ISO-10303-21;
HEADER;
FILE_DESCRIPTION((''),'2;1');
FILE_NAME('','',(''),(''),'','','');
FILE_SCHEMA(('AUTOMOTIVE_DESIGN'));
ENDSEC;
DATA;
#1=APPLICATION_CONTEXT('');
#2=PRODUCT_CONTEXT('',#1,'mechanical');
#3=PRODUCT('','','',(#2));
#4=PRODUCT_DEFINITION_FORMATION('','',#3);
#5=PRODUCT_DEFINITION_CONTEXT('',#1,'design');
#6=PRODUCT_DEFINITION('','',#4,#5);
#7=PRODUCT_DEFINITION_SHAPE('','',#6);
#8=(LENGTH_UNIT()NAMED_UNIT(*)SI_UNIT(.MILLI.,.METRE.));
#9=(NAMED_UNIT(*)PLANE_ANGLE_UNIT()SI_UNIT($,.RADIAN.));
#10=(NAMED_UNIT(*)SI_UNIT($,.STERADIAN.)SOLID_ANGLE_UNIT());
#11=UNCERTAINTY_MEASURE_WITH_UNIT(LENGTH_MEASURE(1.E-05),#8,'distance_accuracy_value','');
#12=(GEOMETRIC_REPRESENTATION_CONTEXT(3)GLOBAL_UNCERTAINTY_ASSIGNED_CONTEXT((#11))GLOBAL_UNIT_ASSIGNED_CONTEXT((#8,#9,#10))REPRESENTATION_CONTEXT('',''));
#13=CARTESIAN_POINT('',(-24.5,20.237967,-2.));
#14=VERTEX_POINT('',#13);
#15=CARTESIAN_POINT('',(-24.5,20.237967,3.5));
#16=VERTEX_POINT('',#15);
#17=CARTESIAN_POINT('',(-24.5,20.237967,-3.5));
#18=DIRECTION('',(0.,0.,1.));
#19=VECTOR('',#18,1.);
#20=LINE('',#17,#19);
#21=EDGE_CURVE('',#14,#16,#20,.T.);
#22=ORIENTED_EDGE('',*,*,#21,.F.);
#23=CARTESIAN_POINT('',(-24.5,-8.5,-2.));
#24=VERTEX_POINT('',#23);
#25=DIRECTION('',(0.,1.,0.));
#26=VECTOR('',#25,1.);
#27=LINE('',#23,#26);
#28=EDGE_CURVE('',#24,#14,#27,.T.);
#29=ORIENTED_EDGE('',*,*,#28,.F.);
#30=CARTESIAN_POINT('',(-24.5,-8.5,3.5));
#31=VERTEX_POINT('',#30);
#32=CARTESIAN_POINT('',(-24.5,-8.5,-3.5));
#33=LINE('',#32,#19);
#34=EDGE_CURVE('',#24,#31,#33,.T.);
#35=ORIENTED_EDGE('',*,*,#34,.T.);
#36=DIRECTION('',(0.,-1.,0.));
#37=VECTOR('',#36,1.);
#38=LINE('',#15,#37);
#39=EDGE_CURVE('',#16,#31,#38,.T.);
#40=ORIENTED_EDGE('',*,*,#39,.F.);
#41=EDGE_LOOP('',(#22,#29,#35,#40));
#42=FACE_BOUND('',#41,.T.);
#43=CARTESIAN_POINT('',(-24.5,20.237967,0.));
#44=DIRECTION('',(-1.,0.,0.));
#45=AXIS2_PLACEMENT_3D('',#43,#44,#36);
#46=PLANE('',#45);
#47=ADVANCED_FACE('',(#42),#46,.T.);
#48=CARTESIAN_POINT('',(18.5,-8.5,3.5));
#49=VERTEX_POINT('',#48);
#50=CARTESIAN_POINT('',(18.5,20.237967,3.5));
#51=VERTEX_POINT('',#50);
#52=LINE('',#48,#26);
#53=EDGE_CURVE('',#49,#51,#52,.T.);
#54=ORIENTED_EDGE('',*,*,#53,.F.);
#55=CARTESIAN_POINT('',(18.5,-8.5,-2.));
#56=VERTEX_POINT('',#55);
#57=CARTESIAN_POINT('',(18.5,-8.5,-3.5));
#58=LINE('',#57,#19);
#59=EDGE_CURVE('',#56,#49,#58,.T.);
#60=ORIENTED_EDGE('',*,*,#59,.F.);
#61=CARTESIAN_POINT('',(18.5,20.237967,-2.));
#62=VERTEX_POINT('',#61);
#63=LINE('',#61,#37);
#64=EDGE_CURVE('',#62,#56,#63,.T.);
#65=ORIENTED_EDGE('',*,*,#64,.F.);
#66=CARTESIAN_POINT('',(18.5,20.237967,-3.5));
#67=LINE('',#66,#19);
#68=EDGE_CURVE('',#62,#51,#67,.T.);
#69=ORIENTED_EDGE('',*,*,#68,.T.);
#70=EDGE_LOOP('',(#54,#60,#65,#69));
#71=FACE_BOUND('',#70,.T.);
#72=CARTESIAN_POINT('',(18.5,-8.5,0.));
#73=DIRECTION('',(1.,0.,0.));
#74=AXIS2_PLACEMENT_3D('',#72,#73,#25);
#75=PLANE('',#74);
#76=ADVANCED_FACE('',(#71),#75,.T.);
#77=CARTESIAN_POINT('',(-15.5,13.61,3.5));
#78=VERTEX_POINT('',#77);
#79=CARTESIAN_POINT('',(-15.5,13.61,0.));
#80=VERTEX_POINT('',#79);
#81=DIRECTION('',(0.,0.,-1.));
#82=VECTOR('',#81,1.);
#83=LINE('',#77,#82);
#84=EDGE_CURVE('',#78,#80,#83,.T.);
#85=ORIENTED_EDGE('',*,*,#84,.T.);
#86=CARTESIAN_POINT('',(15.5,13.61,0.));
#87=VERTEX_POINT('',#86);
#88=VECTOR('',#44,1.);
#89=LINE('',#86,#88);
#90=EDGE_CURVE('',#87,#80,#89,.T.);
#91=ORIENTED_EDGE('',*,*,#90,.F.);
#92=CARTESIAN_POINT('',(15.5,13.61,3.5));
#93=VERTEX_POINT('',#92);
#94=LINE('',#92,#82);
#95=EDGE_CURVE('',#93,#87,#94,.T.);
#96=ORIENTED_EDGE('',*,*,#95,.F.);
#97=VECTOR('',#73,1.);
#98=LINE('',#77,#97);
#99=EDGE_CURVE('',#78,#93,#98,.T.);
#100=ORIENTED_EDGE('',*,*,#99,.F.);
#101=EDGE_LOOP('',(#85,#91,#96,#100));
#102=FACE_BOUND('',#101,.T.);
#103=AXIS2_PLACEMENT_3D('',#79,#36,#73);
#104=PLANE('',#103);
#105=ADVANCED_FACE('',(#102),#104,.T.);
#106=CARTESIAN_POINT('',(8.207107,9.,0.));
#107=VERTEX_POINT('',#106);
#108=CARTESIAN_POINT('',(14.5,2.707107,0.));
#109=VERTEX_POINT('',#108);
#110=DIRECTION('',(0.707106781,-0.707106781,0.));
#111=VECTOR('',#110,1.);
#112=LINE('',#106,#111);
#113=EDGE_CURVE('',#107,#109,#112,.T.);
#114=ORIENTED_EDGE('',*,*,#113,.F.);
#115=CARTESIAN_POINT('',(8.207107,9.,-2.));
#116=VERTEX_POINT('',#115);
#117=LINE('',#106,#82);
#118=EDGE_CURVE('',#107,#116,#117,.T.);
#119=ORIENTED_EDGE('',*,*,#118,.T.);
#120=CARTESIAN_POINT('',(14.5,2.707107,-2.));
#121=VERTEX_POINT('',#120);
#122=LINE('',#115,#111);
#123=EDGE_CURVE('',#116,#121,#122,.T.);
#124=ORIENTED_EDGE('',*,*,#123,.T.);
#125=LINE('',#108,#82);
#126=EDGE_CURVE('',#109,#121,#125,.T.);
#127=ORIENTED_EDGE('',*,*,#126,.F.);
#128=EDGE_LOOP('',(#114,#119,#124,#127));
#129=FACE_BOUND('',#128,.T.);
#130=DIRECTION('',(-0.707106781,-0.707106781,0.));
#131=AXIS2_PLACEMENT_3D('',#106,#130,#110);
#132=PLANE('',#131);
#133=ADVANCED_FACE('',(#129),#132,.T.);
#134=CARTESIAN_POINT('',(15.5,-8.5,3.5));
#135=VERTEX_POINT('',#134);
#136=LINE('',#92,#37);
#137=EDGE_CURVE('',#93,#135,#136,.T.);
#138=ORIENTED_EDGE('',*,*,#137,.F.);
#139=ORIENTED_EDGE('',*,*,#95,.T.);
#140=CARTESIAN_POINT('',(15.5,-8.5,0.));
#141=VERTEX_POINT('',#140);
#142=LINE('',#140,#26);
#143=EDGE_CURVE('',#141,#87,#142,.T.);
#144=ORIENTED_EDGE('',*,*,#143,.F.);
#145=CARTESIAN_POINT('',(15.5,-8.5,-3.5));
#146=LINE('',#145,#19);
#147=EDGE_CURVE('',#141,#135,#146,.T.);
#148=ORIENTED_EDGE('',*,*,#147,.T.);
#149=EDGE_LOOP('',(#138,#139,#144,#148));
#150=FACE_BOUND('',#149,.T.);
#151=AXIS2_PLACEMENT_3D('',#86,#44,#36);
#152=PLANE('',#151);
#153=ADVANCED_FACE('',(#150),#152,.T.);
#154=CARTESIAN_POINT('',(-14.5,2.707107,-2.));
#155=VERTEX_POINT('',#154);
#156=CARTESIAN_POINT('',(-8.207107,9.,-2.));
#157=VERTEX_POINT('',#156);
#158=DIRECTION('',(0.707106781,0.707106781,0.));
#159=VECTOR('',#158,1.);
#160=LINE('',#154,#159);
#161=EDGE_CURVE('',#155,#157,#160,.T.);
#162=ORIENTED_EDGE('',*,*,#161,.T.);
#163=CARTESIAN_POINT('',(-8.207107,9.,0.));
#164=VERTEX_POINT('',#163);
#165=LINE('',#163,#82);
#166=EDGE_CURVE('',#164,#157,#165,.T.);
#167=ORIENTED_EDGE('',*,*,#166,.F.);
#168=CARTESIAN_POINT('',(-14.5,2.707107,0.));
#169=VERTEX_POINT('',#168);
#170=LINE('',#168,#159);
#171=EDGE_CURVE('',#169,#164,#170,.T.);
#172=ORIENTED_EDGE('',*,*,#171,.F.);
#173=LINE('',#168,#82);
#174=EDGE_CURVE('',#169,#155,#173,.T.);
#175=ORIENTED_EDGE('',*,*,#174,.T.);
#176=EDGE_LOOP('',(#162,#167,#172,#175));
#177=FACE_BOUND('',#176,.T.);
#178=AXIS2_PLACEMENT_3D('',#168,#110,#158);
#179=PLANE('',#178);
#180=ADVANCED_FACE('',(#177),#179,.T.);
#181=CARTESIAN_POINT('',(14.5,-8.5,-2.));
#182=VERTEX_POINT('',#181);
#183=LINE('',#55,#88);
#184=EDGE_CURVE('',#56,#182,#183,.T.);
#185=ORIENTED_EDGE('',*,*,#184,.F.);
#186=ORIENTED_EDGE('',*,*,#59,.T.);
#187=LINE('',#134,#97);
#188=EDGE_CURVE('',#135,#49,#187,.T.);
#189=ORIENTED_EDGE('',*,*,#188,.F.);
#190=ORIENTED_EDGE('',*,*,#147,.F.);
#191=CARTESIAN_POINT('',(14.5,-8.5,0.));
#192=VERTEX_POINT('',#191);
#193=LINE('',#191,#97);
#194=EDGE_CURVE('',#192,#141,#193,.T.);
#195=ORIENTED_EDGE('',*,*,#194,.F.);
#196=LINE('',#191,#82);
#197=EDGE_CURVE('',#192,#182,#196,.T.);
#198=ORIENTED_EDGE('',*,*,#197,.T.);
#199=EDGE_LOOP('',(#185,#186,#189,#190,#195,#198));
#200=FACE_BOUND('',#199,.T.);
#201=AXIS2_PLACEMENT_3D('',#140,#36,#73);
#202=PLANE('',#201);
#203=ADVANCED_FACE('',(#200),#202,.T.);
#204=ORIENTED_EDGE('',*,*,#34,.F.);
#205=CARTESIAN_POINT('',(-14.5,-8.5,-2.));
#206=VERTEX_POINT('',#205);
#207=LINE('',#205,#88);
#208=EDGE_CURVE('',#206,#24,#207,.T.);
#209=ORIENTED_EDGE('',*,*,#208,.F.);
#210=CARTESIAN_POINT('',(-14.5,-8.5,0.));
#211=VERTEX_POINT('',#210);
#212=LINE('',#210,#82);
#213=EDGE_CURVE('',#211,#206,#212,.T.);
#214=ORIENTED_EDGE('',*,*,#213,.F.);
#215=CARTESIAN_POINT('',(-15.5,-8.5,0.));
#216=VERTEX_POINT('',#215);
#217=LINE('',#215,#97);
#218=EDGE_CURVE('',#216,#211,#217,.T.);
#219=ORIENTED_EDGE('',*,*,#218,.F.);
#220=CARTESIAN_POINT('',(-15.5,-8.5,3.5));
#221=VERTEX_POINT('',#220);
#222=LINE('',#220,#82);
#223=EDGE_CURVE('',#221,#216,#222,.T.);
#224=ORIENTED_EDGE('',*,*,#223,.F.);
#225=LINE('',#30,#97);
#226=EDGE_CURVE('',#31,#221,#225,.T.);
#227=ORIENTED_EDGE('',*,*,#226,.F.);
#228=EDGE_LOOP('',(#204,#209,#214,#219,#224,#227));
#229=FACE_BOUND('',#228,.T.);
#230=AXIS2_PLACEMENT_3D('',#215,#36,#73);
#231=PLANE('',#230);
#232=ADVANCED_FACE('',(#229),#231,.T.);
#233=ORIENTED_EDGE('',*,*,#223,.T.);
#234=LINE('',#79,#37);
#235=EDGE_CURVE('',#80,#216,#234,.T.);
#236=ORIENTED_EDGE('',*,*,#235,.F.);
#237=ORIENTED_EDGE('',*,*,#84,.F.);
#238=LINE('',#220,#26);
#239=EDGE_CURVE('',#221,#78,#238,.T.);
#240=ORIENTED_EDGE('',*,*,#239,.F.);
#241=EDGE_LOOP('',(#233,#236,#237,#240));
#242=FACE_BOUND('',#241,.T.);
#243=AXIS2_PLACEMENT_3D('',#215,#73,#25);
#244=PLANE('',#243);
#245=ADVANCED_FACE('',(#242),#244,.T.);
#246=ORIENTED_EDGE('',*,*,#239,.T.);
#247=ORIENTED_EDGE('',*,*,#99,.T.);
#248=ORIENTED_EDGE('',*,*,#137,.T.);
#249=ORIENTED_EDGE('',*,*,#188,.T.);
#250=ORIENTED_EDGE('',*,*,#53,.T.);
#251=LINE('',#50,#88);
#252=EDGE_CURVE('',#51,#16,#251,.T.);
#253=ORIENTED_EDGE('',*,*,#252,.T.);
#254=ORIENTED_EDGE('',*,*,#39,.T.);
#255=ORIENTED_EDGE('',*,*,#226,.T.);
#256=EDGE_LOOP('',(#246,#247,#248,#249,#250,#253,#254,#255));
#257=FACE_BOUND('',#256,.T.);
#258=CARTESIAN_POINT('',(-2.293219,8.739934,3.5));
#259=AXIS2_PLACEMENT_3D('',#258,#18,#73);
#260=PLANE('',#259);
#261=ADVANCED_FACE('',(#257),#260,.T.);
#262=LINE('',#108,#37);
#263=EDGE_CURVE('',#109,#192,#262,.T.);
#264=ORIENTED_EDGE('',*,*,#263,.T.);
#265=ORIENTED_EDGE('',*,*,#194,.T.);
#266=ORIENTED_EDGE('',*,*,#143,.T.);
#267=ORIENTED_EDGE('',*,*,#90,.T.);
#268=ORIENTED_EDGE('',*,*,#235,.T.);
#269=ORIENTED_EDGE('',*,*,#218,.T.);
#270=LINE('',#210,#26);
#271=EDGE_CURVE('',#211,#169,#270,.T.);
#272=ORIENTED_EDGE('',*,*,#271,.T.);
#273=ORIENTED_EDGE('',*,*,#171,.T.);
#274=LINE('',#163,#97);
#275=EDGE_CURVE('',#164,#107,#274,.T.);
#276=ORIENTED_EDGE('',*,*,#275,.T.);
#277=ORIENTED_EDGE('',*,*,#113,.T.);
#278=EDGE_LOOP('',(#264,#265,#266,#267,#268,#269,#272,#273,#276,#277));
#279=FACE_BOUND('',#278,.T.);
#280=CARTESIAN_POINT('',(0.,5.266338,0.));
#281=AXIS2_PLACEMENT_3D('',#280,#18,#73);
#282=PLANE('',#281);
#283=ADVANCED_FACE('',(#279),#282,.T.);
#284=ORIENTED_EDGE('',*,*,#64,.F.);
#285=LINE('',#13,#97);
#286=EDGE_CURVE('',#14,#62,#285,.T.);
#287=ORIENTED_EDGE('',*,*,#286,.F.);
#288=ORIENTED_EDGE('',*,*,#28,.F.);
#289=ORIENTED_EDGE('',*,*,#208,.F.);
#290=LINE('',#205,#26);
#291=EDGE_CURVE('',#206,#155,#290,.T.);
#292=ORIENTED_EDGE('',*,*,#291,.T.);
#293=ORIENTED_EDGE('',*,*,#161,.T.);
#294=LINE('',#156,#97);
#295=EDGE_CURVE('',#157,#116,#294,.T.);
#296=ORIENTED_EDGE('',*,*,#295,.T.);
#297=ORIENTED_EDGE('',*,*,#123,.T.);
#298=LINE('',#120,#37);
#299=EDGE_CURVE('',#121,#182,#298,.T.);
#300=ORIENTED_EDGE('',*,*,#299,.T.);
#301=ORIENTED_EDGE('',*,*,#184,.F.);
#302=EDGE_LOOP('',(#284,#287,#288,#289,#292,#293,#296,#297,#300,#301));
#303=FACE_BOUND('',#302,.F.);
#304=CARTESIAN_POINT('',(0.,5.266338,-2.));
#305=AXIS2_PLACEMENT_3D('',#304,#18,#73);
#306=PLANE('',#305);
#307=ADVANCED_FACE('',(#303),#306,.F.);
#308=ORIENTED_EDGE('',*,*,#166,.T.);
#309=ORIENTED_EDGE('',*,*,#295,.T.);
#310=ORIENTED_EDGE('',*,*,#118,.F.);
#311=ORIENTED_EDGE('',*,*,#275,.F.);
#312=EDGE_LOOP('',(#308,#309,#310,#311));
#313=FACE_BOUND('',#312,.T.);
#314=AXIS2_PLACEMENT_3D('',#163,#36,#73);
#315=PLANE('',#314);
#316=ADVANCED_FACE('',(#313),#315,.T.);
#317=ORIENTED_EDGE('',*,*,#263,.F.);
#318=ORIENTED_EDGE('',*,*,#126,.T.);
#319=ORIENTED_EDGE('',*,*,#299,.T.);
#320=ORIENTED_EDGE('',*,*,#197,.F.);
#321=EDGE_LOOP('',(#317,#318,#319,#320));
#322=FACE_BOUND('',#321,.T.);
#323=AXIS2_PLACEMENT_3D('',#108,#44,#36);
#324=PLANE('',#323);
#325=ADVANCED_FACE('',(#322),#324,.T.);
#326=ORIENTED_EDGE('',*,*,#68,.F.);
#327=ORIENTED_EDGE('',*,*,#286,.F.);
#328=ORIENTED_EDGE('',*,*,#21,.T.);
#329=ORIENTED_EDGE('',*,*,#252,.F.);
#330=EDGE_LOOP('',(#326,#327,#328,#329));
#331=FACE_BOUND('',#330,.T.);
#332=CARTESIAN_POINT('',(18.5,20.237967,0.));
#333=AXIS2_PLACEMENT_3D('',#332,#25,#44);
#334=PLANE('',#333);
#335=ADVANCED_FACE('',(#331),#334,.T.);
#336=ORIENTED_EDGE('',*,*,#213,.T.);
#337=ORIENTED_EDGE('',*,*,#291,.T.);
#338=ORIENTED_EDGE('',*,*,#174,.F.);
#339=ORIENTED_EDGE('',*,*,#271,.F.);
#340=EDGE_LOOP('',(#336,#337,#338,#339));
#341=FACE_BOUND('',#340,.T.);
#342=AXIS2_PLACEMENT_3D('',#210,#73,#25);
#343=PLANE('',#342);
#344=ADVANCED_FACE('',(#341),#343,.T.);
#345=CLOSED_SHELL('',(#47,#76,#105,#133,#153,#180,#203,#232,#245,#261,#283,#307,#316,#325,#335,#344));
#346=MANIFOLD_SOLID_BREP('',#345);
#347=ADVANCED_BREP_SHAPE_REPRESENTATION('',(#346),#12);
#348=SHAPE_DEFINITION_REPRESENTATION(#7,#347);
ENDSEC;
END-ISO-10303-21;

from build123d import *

# Parameters (mm, degrees)
F1_DEPTH = 3.5
F2_DEPTH = 2
F3_DEPTH = 1.5


with BuildPart() as f1:
    # F0 (on Top) → F1 (new body, symmetric)
    with BuildSketch(Plane.XY):
        Polygon((15.5, 13.61), (15.5, -8.5), (18.5, -8.5), (18.5, 20.237967), (-24.5, 20.237967), (-24.5, -8.5), (-15.5, -8.5), (-15.5, 13.61), align=None)
    extrude(amount=F1_DEPTH, both=True)

    # F0 (on Top) → F2 (join)
    with BuildSketch(Plane.XY):
        Polygon((8.207107, 9), (14.5, 2.707107), (14.5, -8.5), (15.5, -8.5), (15.5, 13.61), (-15.5, 13.61), (-15.5, -8.5), (-14.5, -8.5), (-14.5, 2.707107), (-8.207107, 9), align=None)
    extrude(amount=-F2_DEPTH)

    # F1_face (on face) → F3 (cut)
    with BuildSketch(Plane(origin=(-6.736408, 9.996449, -3.5), x_dir=(1, 0, 0), z_dir=(0, 0, -1))):
        Polygon((22.236408, 18.496449), (22.236408, -3.613551), (-8.763592, -3.613551), (-8.763592, 18.496449), (-17.763592, 18.496449), (-17.763592, -10.241518), (25.236408, -10.241518), (25.236408, 18.496449), align=None)
    extrude(amount=-F3_DEPTH, mode=Mode.SUBTRACT)


solid = f1.part
